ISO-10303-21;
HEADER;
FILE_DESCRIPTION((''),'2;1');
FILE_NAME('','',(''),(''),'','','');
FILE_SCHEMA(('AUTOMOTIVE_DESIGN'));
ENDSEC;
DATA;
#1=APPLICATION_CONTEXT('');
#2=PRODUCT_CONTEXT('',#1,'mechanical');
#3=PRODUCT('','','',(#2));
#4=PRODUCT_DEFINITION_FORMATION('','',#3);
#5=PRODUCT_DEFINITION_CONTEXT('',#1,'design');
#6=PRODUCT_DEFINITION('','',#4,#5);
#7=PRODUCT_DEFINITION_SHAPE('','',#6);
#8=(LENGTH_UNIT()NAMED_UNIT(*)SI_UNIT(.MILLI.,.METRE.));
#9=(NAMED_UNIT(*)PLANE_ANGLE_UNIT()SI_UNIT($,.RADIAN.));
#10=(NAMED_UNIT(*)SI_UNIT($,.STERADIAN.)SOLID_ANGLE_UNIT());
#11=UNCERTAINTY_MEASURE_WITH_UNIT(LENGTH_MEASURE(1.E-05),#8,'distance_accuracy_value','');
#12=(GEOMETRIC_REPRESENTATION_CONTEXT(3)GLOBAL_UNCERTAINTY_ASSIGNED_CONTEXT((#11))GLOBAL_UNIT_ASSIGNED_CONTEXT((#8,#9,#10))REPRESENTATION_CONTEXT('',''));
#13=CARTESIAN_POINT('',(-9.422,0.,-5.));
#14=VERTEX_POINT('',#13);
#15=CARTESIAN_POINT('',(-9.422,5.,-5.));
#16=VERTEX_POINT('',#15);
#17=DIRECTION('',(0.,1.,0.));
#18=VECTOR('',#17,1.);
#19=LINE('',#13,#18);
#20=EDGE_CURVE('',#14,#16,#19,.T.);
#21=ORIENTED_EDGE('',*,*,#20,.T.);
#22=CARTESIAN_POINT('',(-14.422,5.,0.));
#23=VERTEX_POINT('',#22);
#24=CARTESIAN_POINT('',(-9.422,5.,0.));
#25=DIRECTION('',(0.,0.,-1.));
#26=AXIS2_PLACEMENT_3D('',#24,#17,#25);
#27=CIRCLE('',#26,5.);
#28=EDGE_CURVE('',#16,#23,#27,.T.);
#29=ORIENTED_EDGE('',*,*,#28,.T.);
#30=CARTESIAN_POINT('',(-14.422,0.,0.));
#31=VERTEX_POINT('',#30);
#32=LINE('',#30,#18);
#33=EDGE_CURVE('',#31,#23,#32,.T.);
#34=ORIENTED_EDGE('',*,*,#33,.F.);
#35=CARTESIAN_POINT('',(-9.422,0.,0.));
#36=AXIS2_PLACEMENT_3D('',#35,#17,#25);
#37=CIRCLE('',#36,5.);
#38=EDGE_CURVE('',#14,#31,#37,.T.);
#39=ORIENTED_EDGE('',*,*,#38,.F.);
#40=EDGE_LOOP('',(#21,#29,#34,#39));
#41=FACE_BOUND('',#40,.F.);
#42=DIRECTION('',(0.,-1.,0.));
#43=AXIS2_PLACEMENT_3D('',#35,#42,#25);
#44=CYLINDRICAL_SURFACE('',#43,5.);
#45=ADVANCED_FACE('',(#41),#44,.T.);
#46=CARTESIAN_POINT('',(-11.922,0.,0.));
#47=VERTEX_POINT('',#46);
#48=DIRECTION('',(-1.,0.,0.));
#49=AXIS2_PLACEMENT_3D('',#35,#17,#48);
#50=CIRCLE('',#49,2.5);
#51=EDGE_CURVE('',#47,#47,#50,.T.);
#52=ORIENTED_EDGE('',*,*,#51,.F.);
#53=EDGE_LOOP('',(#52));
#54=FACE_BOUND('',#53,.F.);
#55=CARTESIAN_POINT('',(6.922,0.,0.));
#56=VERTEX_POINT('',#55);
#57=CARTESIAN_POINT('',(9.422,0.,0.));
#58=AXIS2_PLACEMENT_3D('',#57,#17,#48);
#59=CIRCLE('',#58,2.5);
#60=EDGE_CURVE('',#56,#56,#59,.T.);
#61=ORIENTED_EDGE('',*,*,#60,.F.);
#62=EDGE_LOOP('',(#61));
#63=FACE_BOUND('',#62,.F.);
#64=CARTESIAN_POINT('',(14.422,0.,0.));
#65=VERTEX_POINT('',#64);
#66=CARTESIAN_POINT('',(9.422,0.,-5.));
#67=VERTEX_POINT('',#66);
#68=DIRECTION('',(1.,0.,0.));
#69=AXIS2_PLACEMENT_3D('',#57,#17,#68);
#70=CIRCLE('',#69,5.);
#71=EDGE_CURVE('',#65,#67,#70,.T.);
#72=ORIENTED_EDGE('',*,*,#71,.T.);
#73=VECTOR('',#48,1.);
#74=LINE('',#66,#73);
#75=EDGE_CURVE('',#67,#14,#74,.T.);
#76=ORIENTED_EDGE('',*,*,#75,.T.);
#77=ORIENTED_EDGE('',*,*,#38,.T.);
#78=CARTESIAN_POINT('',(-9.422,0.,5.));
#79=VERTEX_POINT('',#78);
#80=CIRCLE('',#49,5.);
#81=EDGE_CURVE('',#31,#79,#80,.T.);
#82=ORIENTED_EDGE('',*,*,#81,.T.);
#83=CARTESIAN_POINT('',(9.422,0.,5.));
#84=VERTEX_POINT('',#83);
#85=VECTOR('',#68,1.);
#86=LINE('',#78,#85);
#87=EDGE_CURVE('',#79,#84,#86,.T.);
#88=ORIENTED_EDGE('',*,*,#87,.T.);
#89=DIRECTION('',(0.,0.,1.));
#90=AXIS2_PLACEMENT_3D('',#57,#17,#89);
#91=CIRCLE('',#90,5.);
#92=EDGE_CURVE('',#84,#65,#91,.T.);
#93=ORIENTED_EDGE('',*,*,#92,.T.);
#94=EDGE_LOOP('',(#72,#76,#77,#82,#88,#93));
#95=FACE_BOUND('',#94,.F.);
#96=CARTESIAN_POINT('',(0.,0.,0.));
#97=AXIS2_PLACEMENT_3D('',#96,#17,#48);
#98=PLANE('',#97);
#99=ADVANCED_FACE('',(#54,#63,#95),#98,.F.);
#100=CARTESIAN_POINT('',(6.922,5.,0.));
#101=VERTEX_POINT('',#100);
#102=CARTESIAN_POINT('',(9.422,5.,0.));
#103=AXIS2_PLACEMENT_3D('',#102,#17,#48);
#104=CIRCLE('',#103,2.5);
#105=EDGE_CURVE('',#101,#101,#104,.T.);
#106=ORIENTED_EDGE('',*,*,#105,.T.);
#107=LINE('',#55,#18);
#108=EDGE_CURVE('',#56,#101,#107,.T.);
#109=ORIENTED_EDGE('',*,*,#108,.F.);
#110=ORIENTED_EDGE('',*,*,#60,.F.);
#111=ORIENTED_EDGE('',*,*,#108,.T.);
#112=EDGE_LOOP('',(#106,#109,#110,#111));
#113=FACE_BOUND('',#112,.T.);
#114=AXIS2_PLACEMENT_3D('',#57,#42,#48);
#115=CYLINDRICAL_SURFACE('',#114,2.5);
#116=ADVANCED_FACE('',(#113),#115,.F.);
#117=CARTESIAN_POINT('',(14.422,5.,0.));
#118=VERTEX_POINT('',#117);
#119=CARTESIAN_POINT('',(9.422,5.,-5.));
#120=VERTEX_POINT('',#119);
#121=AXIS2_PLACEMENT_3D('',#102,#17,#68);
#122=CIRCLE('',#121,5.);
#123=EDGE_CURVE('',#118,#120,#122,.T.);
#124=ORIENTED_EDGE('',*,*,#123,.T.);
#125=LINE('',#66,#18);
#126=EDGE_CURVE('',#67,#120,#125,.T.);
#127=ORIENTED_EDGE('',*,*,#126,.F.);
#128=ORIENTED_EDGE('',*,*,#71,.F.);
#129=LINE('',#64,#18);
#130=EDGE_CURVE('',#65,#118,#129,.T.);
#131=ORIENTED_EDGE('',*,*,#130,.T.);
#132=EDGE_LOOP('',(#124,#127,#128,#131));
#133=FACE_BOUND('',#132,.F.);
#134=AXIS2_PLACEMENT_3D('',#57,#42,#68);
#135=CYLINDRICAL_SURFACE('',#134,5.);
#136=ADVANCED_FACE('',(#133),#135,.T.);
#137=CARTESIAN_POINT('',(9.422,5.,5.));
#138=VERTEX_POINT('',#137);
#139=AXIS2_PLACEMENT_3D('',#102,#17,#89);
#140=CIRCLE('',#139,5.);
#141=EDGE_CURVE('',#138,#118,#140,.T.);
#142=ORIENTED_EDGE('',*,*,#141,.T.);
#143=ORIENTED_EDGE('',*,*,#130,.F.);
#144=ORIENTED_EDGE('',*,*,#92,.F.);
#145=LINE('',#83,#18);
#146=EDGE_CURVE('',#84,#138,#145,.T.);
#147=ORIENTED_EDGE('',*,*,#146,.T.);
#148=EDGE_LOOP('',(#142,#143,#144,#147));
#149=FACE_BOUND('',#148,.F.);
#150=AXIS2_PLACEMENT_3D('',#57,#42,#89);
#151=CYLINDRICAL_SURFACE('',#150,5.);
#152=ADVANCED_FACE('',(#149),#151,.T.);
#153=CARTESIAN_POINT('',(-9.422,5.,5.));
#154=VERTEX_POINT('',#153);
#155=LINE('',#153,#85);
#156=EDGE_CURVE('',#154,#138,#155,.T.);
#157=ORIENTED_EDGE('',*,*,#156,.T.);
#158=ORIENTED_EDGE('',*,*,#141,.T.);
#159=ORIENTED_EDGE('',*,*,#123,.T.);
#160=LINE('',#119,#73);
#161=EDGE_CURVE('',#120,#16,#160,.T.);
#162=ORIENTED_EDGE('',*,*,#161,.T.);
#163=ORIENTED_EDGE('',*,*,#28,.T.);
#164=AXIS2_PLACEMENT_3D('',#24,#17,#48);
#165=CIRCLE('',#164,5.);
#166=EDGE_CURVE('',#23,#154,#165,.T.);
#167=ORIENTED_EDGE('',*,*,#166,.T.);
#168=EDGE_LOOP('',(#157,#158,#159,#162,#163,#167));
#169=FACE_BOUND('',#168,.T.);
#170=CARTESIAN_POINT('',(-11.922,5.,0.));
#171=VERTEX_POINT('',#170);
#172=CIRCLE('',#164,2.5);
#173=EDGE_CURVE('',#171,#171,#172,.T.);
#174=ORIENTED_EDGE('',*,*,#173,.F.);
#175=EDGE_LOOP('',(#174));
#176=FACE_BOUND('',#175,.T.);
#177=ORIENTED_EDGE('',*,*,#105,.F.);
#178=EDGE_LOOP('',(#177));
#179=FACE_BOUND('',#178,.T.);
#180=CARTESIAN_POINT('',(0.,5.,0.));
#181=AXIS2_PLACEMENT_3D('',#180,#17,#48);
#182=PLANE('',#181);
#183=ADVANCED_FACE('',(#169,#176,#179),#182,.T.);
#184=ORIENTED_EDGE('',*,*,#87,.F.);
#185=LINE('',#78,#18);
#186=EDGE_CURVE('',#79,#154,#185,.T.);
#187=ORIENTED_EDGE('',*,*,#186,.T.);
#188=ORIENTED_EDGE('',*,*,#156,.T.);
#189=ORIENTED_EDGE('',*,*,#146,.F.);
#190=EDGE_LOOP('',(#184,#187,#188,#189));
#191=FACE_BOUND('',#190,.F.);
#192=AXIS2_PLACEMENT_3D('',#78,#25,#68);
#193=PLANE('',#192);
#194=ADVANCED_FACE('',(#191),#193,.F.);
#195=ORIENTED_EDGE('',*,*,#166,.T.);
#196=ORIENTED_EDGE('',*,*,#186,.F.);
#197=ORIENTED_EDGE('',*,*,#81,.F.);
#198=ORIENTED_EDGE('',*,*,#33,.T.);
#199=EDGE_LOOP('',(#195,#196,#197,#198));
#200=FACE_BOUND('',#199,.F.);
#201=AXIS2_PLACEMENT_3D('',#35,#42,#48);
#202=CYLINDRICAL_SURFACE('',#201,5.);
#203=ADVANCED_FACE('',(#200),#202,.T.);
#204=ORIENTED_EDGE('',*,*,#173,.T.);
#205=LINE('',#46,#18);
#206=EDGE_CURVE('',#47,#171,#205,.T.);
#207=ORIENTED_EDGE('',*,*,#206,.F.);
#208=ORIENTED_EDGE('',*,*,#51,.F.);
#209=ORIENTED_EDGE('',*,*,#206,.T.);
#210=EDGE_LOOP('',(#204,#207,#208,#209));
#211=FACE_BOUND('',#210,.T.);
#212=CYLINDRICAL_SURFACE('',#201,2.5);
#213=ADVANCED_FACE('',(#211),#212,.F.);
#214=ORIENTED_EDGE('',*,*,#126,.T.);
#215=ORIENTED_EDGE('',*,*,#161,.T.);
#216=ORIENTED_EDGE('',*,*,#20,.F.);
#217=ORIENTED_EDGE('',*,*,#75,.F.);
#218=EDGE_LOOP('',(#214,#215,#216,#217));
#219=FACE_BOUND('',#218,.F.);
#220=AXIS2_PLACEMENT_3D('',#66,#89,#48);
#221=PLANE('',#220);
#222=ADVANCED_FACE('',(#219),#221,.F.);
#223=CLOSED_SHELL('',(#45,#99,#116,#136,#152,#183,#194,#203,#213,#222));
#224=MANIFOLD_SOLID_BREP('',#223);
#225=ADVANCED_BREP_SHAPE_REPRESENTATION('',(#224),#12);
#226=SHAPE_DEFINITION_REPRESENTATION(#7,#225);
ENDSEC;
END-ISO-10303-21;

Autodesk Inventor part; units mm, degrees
ref_plane "YZ Plane" through (0, 0, 0) normal (1, 0, 0) x (0, 1, 0)
ref_plane "XZ Plane" through (0, 0, 0) normal (0, 1, 0) x (-1, 0, 0)
ref_plane "XY Plane" through (0, 0, 0) normal (0, 0, 1) x (1, 0, 0)
sketch "Sketch1" plane through (0, 0, 0) normal (0, 1, 0) x (-1, 0, 0)
  line L0 (-9.422, -5) -> (9.422, -5)
  line L1 (14.422, 0) -> (14.422, 0)
  line L2 (9.422, 5) -> (-9.422, 5)
  line L3 (-14.422, 0) -> (-14.422, 0)
  line L4 (-14.422, -5) -> (14.422, 5) construction
  line L5 (14.422, -5) -> (-14.422, 5) construction
  circle A0 centre (9.422, 0) radius 2.5
  circle A1 centre (-9.422, 0) radius 2.5
  arc A2 (9.422, -5) -> (14.422, 0) centre (9.422, 0) ccw
  arc A3 (14.422, 0) -> (9.422, 5) centre (9.422, 0) ccw
  arc A4 (-9.422, 5) -> (-14.422, 0) centre (-9.422, 0) ccw
  arc A5 (-14.422, 0) -> (-9.422, -5) centre (-9.422, 0) ccw
  point P0 (0, 0)
  point P1 (14.422, 0)
  point P2 (-14.422, 0)
  dimension "d0" = 10
  dimension "d1" = 28.844
  dimension "d3" = 5
  dimension "d4" = 5
  dimension "d5" = 5
  dimension "d6" = 5
  dimension "d7" = 5
  dimension "d8" = 5
  dimension "d9" = 5
extrude "Extrusion1" add sketch "Sketch1" along normal blind 5
properties part number "link"
